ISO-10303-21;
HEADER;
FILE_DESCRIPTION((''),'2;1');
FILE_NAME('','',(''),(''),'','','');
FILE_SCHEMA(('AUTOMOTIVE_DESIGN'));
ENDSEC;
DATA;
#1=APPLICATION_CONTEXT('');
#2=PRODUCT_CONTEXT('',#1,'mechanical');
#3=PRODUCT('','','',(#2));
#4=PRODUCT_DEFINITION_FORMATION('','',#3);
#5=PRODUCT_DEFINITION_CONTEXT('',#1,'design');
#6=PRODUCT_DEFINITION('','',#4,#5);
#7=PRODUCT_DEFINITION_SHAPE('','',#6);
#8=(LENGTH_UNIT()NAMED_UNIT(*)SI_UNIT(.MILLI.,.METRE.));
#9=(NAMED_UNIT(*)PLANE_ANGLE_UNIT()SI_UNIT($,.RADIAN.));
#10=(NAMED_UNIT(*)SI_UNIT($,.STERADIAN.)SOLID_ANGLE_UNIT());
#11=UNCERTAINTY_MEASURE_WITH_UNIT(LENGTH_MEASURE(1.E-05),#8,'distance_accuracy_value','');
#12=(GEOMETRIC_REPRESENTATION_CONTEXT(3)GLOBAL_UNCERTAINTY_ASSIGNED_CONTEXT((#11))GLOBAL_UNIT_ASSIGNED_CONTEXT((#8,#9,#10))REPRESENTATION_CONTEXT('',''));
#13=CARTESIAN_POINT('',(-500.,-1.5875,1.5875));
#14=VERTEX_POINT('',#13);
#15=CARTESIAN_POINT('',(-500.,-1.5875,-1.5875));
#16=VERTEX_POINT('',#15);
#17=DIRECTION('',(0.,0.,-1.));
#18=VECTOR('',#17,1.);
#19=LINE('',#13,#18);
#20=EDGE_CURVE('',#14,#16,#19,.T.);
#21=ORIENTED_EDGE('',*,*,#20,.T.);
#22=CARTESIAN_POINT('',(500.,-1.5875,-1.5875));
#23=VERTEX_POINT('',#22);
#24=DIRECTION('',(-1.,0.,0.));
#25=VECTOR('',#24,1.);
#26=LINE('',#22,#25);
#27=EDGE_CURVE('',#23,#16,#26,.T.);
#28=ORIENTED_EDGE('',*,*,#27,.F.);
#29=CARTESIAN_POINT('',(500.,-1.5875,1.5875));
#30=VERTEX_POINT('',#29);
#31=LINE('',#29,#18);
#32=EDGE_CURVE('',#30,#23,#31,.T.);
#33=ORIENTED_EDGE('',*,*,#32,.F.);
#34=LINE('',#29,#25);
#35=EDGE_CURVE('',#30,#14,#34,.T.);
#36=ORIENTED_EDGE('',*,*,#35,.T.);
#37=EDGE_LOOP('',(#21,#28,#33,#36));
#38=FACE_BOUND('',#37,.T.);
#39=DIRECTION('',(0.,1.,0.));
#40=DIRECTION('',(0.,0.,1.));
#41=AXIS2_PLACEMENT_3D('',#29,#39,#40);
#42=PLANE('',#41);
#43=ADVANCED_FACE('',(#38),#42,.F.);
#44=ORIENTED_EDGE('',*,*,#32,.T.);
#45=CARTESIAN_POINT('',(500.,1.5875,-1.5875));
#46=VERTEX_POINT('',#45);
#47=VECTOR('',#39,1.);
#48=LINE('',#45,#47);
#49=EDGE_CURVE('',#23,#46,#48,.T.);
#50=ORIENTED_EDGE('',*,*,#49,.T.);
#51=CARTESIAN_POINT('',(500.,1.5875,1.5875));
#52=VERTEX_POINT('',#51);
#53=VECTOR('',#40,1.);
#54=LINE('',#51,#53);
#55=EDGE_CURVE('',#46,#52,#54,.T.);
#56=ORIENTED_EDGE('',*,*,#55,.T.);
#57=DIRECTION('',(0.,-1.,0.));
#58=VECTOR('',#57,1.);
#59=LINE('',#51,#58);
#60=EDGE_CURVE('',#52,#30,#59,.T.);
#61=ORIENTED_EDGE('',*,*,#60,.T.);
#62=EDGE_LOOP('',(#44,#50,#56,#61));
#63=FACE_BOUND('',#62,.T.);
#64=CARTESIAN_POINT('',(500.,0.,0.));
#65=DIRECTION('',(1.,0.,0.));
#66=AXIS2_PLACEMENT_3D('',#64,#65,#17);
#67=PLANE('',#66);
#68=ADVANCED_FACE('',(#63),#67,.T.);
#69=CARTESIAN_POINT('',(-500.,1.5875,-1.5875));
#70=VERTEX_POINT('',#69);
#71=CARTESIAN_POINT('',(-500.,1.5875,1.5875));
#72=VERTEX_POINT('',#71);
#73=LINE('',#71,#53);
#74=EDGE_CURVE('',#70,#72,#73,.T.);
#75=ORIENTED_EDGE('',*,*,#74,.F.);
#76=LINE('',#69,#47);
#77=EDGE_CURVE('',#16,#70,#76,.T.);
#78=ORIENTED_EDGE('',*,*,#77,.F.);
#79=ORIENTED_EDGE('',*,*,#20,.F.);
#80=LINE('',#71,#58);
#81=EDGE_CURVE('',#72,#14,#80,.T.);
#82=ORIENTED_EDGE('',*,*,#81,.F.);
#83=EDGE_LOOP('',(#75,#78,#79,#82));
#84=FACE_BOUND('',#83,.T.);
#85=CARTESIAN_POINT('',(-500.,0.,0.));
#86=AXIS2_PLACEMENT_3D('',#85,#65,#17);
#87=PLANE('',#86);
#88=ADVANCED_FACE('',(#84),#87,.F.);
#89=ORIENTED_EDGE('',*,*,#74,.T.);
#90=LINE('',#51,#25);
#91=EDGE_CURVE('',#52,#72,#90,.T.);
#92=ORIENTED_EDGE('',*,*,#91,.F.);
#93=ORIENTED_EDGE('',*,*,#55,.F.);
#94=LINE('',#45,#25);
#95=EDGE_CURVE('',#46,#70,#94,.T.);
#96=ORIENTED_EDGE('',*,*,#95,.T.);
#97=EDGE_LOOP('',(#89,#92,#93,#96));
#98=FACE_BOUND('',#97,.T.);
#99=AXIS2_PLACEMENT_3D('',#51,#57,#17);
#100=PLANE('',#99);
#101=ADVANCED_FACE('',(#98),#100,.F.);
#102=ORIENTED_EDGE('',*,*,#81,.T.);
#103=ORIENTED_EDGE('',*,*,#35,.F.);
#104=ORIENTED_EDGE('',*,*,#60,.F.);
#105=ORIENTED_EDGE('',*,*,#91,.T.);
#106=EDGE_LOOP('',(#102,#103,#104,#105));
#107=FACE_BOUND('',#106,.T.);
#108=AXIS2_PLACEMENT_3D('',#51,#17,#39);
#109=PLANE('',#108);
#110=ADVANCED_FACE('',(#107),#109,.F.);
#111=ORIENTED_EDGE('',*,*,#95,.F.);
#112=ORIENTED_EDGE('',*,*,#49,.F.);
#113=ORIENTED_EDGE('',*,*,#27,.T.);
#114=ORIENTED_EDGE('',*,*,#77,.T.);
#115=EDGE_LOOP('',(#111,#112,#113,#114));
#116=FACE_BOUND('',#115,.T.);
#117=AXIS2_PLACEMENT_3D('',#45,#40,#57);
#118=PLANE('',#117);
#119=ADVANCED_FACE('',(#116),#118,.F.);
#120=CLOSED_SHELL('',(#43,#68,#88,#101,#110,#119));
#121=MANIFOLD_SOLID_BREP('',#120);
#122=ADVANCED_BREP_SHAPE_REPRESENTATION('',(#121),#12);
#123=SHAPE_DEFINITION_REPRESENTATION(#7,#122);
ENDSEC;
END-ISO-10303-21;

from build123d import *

# Parameters (mm, degrees)
SKETCH1_W           = 3.175
SKETCH1_H           = 3.175
BOSS_EXTRUDE1_DEPTH = 500


with BuildPart() as part:
    # Sketch1 → Boss-Extrude1 (new, symmetric)
    with BuildSketch(Plane(origin=(0, 0, 0), x_dir=(0, 0, -1), z_dir=(1, 0, 0))):
        Rectangle(SKETCH1_W, SKETCH1_H)
    extrude(amount=BOSS_EXTRUDE1_DEPTH, both=True)


solid = part.part
